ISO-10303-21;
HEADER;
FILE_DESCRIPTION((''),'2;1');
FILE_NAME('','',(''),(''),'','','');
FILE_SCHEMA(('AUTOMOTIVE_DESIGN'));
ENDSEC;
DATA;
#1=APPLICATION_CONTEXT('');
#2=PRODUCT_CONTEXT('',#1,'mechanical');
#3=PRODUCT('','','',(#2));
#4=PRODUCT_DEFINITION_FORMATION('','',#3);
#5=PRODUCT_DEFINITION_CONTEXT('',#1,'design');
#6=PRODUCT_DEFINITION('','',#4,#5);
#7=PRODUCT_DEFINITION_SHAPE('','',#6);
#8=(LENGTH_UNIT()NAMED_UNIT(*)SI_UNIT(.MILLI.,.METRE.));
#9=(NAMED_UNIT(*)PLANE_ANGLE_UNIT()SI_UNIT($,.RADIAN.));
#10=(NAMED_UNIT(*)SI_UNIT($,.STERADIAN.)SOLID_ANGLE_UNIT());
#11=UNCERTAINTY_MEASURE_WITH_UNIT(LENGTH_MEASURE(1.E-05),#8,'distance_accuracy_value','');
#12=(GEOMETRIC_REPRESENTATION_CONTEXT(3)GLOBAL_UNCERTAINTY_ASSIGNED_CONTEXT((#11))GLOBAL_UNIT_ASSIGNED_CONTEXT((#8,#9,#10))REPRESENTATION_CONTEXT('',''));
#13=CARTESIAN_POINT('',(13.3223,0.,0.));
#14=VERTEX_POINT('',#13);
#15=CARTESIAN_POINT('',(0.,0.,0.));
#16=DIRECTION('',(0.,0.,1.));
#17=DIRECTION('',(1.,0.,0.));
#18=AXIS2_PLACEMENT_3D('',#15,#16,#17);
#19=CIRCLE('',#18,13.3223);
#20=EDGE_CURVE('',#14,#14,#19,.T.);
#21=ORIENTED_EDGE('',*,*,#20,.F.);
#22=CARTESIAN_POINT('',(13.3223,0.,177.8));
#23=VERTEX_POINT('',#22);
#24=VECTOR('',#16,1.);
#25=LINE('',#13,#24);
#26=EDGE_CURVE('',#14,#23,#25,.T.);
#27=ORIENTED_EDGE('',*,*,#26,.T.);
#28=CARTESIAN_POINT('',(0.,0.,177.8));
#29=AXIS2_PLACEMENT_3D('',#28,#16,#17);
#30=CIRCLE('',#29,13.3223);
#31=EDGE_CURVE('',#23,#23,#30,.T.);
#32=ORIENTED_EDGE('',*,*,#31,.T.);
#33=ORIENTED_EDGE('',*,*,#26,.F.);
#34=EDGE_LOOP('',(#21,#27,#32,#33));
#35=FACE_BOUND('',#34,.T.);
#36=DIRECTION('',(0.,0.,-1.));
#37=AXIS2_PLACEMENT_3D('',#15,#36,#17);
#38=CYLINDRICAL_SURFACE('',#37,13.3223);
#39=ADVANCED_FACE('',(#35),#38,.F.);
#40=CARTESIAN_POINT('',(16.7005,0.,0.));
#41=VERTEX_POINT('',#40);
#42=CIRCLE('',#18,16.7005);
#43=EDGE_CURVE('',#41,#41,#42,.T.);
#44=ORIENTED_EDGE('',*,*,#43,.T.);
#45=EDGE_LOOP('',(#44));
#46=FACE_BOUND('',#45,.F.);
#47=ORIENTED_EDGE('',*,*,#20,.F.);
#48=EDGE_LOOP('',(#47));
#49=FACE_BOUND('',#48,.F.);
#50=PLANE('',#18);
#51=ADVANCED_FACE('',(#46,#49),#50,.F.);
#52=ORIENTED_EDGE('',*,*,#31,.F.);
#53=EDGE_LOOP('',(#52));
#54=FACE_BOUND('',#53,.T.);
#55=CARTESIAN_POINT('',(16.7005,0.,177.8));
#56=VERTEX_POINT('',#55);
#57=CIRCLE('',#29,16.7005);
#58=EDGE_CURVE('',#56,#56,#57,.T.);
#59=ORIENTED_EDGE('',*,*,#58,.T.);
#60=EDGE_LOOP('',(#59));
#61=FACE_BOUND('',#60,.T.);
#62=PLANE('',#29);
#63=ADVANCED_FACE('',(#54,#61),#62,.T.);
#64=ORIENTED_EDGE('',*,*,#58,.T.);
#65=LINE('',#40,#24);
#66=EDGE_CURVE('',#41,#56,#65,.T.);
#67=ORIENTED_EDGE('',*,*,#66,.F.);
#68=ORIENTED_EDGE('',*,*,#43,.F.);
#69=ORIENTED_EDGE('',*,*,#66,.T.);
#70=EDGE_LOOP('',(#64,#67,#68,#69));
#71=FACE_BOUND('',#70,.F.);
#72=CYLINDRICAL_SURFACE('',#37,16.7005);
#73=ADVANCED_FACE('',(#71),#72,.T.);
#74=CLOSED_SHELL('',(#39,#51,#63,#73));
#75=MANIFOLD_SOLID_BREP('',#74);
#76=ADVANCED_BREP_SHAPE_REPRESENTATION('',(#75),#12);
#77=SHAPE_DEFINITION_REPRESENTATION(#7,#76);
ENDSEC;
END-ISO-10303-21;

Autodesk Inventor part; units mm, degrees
ref_plane "YZ Plane" through (0, 0, 0) normal (1, 0, 0) x (0, 1, 0)
ref_plane "Start plane" through (0, 0, 0) normal (0, 0, 1) x (1, 0, 0)
ref_plane "End plane" through (0, 0, 177.8) normal (0, 0, 1) x (1, 0, 0)
sketch "Sketch" plane through (0, 0, 0) normal (0, 0, 1) x (1, 0, 0)
  circle A0 centre (0, 0) radius 13.3223
  circle A1 centre (0, 0) radius 16.7005
  dimension "d0" = 33.401
  dimension "d1" = 3.3782
extrude "Body" add sketch "Sketch" along normal up to surface (177.8 mm away) from surface at 0
sketch "Sketch3" plane through (0, 0, 0) normal (0, 0, 1) x (1, 0, 0)
  line L0 (0, 0) -> (10, 0)
ref_plane "Work Plane3" through (0, 0, 0) normal (0, -1, 0) x (1, 0, 0)
sketch "Sketch4" plane through (0, 0, 0) normal (0, -1, 0) x (1, 0, 0)
  line L0 (-2, 0) -> (12, 0)
  line L1 (-2, 177.8) -> (12, 177.8)
  dimension "d7" = 177.8
equation "\"d0\" = G_H"
equation "\"d1\" = G_T"
equation "\"d2\" = G_L"
equation "\"G_H\" = 33.401"
equation "\"G_T\" = 3.3782"
equation "\"G_L\" = d7"
equation "\"G_OFFSET_START\" = 0"
equation "\"G_OFFSET_END\" = 0"
equation "\"d5\" = G_OFFSET_END + B_L"
equation "\"B_L\" = 177.8"
properties part number "ANSI - 1 x 0.133 - 7" material "Aluminum 6061"
